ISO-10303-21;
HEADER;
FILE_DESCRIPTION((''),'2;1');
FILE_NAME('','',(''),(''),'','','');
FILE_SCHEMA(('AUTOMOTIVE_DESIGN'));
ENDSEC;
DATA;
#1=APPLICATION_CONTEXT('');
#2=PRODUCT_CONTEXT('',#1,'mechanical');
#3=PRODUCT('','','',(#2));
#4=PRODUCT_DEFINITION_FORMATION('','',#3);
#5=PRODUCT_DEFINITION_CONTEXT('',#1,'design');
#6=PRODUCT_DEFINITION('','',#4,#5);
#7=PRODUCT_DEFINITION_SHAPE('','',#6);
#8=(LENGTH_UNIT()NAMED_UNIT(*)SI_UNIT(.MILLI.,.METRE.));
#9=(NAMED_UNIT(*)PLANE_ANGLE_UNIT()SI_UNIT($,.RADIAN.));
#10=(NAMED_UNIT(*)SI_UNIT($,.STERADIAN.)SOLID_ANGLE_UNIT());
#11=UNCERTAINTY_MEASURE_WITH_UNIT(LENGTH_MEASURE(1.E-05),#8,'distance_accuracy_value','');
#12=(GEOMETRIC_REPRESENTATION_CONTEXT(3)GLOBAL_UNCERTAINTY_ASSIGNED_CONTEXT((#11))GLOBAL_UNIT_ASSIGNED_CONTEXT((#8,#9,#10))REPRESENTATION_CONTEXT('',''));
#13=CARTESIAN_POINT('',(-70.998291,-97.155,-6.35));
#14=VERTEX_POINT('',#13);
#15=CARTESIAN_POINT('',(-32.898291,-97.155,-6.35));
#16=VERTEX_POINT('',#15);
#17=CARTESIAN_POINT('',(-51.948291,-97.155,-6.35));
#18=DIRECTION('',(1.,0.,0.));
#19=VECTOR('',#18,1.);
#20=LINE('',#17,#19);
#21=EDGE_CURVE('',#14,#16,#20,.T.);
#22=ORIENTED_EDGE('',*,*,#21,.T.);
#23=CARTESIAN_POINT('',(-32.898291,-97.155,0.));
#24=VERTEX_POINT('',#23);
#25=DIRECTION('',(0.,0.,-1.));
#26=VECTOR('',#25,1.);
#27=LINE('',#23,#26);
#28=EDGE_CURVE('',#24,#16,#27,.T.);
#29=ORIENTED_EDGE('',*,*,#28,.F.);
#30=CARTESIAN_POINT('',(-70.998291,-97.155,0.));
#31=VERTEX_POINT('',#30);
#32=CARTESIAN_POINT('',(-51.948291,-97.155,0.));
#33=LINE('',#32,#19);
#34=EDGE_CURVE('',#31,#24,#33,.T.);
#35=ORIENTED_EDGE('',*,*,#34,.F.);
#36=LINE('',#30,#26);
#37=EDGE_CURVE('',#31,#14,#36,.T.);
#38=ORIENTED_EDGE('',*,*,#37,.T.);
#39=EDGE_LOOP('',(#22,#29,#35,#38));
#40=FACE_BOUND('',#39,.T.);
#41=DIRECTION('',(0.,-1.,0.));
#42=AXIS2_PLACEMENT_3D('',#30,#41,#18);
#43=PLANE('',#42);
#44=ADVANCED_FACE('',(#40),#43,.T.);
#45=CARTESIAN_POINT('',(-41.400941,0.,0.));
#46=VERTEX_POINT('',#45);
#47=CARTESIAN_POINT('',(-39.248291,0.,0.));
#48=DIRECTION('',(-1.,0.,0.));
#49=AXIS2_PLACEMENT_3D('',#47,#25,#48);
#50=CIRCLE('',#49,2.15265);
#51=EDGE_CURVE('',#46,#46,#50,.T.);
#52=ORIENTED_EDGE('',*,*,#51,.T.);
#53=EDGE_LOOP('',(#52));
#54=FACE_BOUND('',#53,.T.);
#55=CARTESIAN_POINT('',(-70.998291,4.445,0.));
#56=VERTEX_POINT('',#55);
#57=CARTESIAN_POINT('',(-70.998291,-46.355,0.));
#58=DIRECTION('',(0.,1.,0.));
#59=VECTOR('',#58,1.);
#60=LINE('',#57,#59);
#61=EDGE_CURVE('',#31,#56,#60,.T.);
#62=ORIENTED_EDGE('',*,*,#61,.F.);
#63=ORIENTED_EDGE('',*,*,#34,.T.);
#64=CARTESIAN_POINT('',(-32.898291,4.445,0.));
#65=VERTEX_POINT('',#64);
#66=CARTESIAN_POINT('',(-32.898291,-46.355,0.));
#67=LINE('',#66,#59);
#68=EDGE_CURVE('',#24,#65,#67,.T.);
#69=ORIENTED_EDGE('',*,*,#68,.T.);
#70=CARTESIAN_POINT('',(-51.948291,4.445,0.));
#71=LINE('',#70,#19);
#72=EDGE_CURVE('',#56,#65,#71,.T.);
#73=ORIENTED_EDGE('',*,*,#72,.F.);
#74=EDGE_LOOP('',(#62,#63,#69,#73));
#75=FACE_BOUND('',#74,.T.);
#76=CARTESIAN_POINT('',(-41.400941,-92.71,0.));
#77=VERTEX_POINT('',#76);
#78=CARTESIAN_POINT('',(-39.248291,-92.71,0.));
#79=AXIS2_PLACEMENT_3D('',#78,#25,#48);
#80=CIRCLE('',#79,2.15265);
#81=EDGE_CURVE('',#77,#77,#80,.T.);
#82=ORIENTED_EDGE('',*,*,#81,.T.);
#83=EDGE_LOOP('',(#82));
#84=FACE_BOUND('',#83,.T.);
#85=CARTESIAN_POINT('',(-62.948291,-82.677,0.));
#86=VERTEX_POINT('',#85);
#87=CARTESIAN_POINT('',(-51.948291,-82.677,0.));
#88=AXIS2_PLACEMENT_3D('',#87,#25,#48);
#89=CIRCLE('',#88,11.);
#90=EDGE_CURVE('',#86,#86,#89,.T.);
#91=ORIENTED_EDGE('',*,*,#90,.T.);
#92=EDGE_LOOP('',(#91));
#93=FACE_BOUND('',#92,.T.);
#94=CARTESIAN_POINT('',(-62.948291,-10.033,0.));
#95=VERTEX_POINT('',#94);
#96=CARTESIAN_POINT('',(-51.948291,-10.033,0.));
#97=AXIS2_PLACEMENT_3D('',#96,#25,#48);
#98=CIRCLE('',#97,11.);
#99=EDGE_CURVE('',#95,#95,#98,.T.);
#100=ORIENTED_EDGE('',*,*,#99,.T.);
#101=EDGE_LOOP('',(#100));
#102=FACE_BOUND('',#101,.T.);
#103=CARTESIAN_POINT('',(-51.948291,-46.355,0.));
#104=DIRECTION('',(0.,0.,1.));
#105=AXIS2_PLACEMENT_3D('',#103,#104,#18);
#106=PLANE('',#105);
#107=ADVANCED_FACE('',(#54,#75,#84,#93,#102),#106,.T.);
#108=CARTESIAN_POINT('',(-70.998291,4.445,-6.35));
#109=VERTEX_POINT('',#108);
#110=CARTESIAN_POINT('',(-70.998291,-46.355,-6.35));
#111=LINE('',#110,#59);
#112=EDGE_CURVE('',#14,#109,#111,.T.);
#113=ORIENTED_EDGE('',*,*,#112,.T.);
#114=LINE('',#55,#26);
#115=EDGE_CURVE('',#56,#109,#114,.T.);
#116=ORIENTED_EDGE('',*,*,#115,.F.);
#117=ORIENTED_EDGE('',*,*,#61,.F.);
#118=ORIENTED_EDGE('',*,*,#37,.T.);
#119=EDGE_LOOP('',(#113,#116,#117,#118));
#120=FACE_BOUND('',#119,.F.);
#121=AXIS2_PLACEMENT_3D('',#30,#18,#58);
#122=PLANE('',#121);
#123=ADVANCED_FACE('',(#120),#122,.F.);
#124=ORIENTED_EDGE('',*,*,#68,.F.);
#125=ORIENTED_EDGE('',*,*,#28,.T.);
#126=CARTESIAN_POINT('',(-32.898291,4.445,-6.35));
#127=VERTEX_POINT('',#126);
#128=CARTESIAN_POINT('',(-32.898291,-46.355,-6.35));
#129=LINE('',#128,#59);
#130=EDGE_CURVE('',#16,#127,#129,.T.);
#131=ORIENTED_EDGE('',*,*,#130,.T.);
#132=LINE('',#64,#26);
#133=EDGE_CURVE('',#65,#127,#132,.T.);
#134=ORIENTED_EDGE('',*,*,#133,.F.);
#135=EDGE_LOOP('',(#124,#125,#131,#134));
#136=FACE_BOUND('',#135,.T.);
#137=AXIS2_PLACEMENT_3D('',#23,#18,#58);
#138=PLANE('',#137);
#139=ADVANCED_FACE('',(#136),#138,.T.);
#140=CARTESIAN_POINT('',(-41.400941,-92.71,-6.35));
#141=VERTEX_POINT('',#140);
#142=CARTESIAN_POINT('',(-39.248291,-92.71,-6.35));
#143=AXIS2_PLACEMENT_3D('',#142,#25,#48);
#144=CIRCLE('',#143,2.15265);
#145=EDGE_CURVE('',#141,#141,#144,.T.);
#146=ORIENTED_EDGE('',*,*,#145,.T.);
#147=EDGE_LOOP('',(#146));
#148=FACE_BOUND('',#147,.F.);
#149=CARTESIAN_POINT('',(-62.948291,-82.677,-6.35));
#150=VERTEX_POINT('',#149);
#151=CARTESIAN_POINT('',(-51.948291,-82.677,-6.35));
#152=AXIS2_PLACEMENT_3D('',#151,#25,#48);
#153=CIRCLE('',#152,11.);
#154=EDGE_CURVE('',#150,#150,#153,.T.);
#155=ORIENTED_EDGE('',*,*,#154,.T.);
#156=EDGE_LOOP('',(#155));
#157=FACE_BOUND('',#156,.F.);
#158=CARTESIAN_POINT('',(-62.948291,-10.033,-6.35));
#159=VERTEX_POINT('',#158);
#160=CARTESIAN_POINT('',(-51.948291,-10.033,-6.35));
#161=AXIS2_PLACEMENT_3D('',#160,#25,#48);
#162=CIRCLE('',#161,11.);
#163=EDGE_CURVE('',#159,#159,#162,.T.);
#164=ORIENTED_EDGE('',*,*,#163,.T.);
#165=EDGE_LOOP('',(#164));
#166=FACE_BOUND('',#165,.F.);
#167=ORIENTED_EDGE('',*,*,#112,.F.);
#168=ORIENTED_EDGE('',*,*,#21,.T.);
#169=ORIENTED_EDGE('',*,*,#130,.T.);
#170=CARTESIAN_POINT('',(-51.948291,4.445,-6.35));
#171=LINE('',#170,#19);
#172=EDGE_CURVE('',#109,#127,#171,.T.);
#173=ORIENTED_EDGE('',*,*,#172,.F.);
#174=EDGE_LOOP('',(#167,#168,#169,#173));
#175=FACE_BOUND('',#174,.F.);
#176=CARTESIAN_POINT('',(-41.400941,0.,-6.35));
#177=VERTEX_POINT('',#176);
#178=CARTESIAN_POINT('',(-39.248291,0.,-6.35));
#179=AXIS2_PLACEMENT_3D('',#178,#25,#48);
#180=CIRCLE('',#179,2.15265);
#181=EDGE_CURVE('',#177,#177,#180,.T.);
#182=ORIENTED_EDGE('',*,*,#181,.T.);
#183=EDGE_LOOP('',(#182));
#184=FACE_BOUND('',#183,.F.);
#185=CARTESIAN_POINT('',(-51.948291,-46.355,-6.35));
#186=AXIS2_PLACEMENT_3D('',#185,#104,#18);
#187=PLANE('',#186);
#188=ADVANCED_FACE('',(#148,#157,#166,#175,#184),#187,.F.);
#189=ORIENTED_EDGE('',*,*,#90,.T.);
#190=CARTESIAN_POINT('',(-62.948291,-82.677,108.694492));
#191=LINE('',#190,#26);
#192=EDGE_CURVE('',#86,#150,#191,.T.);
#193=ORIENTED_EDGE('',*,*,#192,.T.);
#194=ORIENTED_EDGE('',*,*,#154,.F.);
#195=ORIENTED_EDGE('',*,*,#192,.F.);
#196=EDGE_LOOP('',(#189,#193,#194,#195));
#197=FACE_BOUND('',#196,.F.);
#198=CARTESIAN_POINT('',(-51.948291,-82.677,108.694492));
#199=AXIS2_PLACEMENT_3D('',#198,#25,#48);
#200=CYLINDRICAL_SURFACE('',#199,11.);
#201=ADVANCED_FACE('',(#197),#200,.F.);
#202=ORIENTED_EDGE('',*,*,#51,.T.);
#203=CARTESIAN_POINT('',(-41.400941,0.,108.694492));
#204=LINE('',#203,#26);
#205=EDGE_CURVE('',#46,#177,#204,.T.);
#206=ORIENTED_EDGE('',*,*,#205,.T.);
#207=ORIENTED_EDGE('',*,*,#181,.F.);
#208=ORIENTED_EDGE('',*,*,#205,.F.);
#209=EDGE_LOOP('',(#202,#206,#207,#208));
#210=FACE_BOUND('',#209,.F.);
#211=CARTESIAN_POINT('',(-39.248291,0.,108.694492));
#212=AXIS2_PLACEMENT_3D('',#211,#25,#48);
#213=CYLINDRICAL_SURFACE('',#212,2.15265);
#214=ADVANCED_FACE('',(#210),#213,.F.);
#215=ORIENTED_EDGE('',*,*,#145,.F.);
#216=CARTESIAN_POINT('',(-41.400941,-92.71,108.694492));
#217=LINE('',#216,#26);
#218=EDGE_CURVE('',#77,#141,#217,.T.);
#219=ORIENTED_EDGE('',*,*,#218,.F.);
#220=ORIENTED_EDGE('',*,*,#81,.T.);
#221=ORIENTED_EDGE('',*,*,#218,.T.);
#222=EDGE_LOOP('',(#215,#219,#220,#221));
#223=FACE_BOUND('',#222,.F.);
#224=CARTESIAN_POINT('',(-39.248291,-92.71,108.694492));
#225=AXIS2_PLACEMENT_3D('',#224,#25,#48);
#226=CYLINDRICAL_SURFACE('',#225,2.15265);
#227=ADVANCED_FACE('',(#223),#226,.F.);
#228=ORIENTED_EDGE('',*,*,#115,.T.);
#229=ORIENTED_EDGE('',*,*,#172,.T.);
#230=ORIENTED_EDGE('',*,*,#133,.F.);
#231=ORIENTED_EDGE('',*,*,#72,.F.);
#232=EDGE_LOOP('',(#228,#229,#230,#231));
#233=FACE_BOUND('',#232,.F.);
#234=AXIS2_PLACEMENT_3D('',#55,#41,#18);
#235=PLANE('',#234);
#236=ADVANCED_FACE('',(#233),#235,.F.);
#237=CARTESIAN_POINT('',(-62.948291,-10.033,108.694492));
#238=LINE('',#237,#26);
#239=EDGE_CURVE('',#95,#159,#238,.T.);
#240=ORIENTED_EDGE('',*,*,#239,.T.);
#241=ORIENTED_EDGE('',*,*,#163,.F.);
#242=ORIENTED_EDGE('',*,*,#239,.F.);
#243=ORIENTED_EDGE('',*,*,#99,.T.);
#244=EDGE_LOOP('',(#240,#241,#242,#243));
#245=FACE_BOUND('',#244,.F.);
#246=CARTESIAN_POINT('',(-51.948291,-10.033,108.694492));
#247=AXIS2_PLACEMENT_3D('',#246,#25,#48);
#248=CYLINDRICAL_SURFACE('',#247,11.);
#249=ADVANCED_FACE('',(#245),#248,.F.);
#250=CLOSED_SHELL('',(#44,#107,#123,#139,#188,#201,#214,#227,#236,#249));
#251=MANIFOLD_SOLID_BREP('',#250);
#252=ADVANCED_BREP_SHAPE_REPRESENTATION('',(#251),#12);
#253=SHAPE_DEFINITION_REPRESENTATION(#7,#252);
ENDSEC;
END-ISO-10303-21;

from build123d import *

# Parameters (mm, degrees)
F0_W     = 38.1
F0_H     = 101.6
F1_DEPTH = 6.35
F2_D     = 22
F3_D     = 4.3053


with BuildPart() as f1:
    # F0 (on Top) → F1 (new body)
    with BuildSketch(Plane.XY):
        with Locations((-51.9482906996, -46.355)):
            Rectangle(F0_W, F0_H)
    extrude(amount=-F1_DEPTH)

    # F2 (through all)
    with Locations(Plane.XY):
        with Locations((-51.9482906996, -10.033), (-51.9482906996, -82.677)):
            Hole(F2_D / 2)

    # F3 (through all)
    with Locations(Plane.XY):
        with Locations((-39.2482906996, 0), (-39.2482906996, -92.71)):
            Hole(F3_D / 2)


solid = f1.part
